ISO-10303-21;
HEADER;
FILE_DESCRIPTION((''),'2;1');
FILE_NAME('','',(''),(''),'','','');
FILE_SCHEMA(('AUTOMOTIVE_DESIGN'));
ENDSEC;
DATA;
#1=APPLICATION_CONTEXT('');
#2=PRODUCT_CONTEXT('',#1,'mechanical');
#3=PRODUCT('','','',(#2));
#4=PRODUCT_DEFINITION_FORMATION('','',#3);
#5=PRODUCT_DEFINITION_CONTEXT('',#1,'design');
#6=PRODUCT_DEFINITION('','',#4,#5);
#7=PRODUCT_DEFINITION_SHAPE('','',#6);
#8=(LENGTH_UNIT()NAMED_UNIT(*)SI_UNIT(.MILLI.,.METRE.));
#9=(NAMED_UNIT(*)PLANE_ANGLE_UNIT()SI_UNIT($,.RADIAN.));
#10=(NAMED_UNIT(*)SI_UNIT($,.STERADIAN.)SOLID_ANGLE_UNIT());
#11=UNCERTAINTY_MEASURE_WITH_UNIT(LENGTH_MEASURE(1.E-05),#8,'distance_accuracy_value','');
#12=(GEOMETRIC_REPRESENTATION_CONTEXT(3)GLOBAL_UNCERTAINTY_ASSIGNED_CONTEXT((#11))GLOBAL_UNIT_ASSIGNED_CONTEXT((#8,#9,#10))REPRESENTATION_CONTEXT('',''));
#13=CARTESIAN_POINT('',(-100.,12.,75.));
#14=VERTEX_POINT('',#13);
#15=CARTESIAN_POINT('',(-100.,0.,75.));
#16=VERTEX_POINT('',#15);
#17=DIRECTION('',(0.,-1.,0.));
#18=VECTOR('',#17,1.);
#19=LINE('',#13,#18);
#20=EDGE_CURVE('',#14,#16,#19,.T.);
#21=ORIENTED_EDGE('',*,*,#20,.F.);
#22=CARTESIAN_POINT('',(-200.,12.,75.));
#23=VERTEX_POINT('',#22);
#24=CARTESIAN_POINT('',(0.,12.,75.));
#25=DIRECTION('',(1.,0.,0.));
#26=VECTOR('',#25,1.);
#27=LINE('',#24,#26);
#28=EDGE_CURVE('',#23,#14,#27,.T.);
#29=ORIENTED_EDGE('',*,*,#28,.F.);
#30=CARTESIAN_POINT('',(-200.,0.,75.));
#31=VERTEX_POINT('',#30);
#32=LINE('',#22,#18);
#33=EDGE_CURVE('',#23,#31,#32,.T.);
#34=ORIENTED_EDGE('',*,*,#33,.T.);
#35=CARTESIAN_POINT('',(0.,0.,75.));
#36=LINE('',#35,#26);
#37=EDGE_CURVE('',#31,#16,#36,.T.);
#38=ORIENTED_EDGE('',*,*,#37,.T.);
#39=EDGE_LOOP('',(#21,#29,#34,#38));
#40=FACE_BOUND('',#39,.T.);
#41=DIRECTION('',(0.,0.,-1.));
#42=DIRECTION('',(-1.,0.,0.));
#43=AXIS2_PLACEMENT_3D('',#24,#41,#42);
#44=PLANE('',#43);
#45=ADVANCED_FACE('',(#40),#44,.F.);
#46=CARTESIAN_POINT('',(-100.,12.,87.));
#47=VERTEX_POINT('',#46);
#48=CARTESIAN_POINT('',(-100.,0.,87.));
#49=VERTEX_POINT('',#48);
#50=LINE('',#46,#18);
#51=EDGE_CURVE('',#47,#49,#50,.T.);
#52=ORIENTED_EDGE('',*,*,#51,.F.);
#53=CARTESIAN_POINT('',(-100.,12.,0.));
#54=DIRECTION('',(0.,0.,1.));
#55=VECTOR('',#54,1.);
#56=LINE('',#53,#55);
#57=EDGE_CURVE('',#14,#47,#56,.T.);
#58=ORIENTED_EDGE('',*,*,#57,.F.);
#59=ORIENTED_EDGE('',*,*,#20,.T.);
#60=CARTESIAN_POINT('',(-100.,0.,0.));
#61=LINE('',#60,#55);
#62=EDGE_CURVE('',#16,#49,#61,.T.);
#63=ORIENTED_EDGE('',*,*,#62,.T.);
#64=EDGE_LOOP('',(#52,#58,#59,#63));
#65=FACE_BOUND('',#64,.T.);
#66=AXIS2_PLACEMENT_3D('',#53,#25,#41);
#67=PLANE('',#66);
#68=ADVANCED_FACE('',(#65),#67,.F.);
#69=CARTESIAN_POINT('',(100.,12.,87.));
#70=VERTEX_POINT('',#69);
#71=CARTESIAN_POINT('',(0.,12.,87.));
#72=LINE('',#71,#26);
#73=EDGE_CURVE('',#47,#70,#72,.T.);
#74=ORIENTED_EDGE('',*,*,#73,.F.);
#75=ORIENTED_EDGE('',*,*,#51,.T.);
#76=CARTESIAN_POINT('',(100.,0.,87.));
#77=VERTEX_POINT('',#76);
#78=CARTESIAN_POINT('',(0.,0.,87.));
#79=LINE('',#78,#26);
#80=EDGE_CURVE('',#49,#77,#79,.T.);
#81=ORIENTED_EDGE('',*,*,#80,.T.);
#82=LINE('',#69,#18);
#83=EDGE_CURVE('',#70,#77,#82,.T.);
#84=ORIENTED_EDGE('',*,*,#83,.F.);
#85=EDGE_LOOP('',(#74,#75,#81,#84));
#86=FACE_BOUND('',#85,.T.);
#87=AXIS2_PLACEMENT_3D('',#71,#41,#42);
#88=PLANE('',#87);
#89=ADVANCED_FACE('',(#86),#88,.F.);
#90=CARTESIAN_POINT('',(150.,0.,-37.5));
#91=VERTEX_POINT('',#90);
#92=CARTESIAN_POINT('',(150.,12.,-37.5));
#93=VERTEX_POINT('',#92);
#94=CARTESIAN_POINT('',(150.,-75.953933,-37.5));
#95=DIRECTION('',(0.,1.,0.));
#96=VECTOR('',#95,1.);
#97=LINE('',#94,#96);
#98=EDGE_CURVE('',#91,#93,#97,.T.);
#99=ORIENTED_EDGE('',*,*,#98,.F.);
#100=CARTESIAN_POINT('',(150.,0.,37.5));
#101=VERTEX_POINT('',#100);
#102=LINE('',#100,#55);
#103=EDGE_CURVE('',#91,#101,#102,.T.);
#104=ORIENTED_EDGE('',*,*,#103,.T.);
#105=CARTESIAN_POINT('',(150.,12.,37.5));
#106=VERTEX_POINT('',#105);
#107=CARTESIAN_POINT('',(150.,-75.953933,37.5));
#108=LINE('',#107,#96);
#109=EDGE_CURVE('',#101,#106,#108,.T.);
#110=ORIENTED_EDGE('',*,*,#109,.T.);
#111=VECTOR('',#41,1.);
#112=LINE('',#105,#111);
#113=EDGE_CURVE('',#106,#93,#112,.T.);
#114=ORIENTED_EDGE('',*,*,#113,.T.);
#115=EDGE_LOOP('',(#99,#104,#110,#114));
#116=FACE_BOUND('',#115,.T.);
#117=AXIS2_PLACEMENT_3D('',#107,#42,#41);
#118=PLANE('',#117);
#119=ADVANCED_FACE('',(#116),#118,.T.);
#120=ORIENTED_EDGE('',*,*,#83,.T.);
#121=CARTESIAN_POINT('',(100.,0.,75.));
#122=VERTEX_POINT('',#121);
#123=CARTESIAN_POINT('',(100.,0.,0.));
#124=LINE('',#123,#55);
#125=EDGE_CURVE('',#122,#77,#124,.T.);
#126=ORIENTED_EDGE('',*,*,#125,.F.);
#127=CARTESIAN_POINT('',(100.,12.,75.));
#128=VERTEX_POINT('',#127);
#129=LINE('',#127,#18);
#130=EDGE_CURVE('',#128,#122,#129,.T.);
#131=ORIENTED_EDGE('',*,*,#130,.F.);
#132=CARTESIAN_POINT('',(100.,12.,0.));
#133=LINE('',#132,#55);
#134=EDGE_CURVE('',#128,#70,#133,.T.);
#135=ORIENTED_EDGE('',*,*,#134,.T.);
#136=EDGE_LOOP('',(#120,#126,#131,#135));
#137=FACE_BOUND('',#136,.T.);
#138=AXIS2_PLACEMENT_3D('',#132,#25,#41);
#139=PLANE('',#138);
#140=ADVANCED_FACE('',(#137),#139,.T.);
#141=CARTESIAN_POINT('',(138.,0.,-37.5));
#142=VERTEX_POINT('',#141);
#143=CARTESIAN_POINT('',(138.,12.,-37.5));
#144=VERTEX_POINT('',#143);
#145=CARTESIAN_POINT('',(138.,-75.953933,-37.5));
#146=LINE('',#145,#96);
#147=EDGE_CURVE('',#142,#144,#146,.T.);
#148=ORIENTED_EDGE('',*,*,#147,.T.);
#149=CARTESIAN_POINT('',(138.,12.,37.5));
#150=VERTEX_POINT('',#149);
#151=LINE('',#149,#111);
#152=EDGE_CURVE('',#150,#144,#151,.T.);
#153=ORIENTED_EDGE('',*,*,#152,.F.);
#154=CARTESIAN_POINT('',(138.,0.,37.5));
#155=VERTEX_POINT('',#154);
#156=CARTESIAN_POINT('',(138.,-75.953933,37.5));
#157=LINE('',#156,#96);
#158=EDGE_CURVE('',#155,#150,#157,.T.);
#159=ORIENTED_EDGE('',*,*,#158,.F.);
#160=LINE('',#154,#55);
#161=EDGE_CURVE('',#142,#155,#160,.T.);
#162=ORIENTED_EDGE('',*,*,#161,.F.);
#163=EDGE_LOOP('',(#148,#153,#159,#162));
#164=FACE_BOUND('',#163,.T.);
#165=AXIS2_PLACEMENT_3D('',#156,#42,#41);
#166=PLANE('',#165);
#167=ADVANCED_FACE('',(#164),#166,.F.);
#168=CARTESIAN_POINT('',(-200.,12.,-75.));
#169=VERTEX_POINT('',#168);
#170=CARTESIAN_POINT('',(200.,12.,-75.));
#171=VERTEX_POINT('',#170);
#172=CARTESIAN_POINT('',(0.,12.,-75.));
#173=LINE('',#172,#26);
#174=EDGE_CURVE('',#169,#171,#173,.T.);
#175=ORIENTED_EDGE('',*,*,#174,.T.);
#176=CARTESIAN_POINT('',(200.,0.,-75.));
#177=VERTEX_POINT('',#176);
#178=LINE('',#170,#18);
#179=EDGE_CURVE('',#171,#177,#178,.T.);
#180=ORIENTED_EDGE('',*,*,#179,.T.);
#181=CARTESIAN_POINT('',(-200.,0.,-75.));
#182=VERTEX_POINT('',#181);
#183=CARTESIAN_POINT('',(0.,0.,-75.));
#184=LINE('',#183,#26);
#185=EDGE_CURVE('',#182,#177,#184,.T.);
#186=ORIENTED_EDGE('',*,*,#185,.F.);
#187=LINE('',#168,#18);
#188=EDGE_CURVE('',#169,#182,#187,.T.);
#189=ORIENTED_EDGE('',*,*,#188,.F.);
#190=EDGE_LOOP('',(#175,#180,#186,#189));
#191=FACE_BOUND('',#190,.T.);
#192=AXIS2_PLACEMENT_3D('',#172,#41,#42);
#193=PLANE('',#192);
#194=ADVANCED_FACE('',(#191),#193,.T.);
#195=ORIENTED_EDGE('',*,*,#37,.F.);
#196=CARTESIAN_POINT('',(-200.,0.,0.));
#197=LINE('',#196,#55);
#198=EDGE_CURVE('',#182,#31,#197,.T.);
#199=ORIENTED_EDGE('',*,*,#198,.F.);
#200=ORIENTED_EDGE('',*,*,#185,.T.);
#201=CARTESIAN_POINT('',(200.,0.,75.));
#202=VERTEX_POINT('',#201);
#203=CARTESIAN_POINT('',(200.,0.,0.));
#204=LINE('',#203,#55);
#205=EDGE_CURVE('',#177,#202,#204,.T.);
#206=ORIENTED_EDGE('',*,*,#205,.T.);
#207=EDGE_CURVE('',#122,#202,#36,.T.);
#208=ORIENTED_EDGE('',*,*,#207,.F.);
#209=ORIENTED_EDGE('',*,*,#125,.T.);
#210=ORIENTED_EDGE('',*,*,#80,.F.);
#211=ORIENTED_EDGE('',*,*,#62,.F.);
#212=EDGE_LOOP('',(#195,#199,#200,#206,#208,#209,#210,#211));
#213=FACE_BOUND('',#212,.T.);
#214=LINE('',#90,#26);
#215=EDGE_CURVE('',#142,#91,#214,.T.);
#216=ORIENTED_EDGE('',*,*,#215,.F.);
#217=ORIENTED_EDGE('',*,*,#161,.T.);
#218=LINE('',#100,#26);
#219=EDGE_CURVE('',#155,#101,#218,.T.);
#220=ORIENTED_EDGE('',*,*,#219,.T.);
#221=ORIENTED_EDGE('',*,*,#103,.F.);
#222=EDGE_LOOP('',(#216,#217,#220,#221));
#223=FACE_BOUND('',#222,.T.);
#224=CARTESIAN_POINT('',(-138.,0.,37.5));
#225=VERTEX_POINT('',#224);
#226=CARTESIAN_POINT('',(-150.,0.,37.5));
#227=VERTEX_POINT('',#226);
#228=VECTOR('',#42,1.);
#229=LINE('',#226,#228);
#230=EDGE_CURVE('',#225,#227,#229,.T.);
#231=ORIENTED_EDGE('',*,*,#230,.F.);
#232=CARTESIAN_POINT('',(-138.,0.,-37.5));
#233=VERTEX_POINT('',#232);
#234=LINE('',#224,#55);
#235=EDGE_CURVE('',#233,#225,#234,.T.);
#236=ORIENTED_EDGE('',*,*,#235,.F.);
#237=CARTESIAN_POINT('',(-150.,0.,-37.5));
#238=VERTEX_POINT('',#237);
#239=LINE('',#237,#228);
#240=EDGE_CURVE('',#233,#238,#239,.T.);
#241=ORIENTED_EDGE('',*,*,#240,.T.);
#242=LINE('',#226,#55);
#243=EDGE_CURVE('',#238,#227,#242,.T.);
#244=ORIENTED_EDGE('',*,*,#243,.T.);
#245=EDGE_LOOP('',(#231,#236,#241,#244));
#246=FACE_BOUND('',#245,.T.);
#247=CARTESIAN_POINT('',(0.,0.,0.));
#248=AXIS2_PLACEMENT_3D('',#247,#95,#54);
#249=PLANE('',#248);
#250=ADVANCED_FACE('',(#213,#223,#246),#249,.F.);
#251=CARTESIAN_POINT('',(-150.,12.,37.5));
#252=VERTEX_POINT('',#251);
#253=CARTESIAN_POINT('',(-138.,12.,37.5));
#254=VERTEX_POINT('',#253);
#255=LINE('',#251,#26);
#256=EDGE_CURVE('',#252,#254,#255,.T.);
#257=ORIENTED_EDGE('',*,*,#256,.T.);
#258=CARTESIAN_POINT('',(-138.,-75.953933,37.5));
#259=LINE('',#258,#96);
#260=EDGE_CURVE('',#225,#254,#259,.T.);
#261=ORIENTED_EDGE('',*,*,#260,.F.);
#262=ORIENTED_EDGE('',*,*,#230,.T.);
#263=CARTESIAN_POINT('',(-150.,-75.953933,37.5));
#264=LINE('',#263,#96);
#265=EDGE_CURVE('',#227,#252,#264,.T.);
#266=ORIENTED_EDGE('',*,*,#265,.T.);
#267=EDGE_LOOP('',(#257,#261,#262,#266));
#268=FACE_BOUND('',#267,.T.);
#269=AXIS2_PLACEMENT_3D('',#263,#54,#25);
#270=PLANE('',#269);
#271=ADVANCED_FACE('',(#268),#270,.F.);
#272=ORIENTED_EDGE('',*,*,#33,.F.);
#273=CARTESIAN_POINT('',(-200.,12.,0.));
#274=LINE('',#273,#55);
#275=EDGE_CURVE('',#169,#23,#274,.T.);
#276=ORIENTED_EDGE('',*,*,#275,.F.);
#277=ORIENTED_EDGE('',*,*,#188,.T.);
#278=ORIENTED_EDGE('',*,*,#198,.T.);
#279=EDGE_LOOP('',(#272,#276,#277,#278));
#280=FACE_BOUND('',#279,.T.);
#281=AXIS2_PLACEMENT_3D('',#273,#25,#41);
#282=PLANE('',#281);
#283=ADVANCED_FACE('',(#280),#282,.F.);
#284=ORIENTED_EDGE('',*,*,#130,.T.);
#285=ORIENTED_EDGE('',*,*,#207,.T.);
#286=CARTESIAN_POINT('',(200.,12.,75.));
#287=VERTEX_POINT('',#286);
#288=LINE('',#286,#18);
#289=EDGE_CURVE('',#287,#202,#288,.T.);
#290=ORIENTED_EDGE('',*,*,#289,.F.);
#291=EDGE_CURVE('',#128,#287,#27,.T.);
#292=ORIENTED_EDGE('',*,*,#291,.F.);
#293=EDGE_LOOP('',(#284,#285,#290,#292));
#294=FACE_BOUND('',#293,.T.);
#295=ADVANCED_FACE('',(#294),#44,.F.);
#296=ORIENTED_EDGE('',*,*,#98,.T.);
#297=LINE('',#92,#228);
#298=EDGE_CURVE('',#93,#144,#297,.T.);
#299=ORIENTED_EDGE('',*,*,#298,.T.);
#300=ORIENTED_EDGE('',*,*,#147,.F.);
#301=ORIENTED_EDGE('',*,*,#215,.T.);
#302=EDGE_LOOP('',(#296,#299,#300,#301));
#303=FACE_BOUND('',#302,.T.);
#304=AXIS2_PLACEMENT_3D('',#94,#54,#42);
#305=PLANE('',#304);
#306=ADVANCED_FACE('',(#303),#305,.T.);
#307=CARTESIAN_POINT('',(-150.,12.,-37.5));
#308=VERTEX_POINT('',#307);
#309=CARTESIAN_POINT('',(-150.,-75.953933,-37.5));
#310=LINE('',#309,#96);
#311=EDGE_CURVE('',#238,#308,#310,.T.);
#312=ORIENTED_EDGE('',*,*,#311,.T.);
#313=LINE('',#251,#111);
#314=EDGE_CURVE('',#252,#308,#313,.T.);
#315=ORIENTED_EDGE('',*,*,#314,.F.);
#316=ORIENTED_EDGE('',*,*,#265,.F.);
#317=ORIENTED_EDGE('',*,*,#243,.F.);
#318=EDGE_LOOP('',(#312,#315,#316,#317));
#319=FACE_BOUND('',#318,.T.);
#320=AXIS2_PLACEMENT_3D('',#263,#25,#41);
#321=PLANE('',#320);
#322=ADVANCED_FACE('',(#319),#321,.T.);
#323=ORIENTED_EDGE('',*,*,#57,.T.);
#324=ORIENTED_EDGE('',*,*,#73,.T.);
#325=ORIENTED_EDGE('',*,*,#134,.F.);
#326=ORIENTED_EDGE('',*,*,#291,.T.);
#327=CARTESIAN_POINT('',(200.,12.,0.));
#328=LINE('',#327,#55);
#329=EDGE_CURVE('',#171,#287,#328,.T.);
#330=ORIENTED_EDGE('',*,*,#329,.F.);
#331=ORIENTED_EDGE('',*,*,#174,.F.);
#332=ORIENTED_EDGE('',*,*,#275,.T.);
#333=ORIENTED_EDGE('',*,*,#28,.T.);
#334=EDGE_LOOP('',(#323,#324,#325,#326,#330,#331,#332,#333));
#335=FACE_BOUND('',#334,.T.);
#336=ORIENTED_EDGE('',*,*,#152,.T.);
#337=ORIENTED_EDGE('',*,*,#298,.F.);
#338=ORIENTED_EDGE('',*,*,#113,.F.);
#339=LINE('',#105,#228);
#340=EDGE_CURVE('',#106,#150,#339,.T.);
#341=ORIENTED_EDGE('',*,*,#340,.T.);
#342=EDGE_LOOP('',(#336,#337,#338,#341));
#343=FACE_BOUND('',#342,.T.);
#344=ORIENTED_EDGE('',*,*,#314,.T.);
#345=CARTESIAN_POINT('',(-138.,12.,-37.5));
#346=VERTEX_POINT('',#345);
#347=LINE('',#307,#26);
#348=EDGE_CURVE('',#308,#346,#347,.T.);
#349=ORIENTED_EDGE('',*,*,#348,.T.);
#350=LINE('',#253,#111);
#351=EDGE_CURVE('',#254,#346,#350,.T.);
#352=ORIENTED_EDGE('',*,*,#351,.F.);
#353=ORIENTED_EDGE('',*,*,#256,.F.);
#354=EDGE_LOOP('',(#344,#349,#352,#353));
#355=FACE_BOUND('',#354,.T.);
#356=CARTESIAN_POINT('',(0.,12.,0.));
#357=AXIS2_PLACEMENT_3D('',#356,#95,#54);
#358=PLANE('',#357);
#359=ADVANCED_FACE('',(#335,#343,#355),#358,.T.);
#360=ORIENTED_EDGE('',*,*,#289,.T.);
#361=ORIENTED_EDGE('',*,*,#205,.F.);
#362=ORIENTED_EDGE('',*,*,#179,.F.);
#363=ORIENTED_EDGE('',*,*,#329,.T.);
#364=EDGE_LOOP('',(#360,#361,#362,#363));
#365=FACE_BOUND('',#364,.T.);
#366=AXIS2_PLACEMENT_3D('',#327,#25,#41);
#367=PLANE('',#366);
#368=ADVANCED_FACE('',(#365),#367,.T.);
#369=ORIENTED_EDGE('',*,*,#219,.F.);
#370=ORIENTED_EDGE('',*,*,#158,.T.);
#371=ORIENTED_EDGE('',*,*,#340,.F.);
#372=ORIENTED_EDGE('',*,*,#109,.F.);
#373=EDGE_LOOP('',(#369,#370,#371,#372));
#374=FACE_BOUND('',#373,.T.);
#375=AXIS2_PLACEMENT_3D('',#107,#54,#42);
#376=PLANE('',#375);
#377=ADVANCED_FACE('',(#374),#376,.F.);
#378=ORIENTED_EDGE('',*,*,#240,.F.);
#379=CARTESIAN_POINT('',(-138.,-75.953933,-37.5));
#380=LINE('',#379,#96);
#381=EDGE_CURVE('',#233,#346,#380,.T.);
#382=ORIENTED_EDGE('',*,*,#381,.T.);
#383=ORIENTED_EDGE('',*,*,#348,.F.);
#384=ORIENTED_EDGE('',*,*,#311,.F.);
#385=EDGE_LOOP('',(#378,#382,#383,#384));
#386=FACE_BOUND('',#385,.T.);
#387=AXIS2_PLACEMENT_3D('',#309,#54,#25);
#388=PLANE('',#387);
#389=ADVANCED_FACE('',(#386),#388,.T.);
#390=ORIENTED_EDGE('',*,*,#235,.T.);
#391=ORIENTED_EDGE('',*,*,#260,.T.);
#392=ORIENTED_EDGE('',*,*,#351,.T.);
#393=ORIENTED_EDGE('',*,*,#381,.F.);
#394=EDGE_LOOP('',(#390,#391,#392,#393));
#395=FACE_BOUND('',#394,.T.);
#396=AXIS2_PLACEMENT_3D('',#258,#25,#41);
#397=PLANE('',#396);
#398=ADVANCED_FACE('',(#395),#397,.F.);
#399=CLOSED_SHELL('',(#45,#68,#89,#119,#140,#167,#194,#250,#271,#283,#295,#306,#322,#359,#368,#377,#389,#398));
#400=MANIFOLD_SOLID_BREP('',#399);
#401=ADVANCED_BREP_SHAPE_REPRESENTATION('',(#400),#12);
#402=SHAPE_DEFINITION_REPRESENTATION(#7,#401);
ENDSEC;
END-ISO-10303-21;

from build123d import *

# Parameters (mm, degrees)
SKETCH1_W           = 200
SKETCH1_H           = 12
BOSS_EXTRUDE1_DEPTH = 12
SKETCH3_W           = 12
SKETCH3_H           = 75
CUT_EXTRUDE1_DEPTH  = 12


with BuildPart() as part:
    # Sketch1 → Boss-Extrude1 (new body)
    with BuildSketch(Plane(origin=(0, 0, 0), x_dir=(1, 0, 0), z_dir=(0, 1, 0))):
        Polygon((200, 75), (-200, 75), (-200, -75), (-100, -75), (-100, -63), (100, -63), (100, -75), (200, -75), align=None)
        with Locations((0, -81)):
            Rectangle(SKETCH1_W, SKETCH1_H)
        with Locations((0, -69)):
            Rectangle(SKETCH1_W, SKETCH1_H)
    extrude(amount=BOSS_EXTRUDE1_DEPTH)

    # Sketch3 → Cut-Extrude1 (cut)
    with BuildSketch(Plane(origin=(0, 12, 0), x_dir=(1, 0, 0), z_dir=(0, 1, 0))):
        with Locations((-144, 0)):
            Rectangle(SKETCH3_W, SKETCH3_H)
    cut_extrude1 = extrude(amount=-CUT_EXTRUDE1_DEPTH, mode=Mode.SUBTRACT)

    # Mirror1: Cut-Extrude1 across plane
    add(cut_extrude1.mirror(Plane(origin=(0, 0, 0), x_dir=(0, 0, 1), z_dir=(1, 0, 0))), mode=Mode.SUBTRACT)


solid = part.part
